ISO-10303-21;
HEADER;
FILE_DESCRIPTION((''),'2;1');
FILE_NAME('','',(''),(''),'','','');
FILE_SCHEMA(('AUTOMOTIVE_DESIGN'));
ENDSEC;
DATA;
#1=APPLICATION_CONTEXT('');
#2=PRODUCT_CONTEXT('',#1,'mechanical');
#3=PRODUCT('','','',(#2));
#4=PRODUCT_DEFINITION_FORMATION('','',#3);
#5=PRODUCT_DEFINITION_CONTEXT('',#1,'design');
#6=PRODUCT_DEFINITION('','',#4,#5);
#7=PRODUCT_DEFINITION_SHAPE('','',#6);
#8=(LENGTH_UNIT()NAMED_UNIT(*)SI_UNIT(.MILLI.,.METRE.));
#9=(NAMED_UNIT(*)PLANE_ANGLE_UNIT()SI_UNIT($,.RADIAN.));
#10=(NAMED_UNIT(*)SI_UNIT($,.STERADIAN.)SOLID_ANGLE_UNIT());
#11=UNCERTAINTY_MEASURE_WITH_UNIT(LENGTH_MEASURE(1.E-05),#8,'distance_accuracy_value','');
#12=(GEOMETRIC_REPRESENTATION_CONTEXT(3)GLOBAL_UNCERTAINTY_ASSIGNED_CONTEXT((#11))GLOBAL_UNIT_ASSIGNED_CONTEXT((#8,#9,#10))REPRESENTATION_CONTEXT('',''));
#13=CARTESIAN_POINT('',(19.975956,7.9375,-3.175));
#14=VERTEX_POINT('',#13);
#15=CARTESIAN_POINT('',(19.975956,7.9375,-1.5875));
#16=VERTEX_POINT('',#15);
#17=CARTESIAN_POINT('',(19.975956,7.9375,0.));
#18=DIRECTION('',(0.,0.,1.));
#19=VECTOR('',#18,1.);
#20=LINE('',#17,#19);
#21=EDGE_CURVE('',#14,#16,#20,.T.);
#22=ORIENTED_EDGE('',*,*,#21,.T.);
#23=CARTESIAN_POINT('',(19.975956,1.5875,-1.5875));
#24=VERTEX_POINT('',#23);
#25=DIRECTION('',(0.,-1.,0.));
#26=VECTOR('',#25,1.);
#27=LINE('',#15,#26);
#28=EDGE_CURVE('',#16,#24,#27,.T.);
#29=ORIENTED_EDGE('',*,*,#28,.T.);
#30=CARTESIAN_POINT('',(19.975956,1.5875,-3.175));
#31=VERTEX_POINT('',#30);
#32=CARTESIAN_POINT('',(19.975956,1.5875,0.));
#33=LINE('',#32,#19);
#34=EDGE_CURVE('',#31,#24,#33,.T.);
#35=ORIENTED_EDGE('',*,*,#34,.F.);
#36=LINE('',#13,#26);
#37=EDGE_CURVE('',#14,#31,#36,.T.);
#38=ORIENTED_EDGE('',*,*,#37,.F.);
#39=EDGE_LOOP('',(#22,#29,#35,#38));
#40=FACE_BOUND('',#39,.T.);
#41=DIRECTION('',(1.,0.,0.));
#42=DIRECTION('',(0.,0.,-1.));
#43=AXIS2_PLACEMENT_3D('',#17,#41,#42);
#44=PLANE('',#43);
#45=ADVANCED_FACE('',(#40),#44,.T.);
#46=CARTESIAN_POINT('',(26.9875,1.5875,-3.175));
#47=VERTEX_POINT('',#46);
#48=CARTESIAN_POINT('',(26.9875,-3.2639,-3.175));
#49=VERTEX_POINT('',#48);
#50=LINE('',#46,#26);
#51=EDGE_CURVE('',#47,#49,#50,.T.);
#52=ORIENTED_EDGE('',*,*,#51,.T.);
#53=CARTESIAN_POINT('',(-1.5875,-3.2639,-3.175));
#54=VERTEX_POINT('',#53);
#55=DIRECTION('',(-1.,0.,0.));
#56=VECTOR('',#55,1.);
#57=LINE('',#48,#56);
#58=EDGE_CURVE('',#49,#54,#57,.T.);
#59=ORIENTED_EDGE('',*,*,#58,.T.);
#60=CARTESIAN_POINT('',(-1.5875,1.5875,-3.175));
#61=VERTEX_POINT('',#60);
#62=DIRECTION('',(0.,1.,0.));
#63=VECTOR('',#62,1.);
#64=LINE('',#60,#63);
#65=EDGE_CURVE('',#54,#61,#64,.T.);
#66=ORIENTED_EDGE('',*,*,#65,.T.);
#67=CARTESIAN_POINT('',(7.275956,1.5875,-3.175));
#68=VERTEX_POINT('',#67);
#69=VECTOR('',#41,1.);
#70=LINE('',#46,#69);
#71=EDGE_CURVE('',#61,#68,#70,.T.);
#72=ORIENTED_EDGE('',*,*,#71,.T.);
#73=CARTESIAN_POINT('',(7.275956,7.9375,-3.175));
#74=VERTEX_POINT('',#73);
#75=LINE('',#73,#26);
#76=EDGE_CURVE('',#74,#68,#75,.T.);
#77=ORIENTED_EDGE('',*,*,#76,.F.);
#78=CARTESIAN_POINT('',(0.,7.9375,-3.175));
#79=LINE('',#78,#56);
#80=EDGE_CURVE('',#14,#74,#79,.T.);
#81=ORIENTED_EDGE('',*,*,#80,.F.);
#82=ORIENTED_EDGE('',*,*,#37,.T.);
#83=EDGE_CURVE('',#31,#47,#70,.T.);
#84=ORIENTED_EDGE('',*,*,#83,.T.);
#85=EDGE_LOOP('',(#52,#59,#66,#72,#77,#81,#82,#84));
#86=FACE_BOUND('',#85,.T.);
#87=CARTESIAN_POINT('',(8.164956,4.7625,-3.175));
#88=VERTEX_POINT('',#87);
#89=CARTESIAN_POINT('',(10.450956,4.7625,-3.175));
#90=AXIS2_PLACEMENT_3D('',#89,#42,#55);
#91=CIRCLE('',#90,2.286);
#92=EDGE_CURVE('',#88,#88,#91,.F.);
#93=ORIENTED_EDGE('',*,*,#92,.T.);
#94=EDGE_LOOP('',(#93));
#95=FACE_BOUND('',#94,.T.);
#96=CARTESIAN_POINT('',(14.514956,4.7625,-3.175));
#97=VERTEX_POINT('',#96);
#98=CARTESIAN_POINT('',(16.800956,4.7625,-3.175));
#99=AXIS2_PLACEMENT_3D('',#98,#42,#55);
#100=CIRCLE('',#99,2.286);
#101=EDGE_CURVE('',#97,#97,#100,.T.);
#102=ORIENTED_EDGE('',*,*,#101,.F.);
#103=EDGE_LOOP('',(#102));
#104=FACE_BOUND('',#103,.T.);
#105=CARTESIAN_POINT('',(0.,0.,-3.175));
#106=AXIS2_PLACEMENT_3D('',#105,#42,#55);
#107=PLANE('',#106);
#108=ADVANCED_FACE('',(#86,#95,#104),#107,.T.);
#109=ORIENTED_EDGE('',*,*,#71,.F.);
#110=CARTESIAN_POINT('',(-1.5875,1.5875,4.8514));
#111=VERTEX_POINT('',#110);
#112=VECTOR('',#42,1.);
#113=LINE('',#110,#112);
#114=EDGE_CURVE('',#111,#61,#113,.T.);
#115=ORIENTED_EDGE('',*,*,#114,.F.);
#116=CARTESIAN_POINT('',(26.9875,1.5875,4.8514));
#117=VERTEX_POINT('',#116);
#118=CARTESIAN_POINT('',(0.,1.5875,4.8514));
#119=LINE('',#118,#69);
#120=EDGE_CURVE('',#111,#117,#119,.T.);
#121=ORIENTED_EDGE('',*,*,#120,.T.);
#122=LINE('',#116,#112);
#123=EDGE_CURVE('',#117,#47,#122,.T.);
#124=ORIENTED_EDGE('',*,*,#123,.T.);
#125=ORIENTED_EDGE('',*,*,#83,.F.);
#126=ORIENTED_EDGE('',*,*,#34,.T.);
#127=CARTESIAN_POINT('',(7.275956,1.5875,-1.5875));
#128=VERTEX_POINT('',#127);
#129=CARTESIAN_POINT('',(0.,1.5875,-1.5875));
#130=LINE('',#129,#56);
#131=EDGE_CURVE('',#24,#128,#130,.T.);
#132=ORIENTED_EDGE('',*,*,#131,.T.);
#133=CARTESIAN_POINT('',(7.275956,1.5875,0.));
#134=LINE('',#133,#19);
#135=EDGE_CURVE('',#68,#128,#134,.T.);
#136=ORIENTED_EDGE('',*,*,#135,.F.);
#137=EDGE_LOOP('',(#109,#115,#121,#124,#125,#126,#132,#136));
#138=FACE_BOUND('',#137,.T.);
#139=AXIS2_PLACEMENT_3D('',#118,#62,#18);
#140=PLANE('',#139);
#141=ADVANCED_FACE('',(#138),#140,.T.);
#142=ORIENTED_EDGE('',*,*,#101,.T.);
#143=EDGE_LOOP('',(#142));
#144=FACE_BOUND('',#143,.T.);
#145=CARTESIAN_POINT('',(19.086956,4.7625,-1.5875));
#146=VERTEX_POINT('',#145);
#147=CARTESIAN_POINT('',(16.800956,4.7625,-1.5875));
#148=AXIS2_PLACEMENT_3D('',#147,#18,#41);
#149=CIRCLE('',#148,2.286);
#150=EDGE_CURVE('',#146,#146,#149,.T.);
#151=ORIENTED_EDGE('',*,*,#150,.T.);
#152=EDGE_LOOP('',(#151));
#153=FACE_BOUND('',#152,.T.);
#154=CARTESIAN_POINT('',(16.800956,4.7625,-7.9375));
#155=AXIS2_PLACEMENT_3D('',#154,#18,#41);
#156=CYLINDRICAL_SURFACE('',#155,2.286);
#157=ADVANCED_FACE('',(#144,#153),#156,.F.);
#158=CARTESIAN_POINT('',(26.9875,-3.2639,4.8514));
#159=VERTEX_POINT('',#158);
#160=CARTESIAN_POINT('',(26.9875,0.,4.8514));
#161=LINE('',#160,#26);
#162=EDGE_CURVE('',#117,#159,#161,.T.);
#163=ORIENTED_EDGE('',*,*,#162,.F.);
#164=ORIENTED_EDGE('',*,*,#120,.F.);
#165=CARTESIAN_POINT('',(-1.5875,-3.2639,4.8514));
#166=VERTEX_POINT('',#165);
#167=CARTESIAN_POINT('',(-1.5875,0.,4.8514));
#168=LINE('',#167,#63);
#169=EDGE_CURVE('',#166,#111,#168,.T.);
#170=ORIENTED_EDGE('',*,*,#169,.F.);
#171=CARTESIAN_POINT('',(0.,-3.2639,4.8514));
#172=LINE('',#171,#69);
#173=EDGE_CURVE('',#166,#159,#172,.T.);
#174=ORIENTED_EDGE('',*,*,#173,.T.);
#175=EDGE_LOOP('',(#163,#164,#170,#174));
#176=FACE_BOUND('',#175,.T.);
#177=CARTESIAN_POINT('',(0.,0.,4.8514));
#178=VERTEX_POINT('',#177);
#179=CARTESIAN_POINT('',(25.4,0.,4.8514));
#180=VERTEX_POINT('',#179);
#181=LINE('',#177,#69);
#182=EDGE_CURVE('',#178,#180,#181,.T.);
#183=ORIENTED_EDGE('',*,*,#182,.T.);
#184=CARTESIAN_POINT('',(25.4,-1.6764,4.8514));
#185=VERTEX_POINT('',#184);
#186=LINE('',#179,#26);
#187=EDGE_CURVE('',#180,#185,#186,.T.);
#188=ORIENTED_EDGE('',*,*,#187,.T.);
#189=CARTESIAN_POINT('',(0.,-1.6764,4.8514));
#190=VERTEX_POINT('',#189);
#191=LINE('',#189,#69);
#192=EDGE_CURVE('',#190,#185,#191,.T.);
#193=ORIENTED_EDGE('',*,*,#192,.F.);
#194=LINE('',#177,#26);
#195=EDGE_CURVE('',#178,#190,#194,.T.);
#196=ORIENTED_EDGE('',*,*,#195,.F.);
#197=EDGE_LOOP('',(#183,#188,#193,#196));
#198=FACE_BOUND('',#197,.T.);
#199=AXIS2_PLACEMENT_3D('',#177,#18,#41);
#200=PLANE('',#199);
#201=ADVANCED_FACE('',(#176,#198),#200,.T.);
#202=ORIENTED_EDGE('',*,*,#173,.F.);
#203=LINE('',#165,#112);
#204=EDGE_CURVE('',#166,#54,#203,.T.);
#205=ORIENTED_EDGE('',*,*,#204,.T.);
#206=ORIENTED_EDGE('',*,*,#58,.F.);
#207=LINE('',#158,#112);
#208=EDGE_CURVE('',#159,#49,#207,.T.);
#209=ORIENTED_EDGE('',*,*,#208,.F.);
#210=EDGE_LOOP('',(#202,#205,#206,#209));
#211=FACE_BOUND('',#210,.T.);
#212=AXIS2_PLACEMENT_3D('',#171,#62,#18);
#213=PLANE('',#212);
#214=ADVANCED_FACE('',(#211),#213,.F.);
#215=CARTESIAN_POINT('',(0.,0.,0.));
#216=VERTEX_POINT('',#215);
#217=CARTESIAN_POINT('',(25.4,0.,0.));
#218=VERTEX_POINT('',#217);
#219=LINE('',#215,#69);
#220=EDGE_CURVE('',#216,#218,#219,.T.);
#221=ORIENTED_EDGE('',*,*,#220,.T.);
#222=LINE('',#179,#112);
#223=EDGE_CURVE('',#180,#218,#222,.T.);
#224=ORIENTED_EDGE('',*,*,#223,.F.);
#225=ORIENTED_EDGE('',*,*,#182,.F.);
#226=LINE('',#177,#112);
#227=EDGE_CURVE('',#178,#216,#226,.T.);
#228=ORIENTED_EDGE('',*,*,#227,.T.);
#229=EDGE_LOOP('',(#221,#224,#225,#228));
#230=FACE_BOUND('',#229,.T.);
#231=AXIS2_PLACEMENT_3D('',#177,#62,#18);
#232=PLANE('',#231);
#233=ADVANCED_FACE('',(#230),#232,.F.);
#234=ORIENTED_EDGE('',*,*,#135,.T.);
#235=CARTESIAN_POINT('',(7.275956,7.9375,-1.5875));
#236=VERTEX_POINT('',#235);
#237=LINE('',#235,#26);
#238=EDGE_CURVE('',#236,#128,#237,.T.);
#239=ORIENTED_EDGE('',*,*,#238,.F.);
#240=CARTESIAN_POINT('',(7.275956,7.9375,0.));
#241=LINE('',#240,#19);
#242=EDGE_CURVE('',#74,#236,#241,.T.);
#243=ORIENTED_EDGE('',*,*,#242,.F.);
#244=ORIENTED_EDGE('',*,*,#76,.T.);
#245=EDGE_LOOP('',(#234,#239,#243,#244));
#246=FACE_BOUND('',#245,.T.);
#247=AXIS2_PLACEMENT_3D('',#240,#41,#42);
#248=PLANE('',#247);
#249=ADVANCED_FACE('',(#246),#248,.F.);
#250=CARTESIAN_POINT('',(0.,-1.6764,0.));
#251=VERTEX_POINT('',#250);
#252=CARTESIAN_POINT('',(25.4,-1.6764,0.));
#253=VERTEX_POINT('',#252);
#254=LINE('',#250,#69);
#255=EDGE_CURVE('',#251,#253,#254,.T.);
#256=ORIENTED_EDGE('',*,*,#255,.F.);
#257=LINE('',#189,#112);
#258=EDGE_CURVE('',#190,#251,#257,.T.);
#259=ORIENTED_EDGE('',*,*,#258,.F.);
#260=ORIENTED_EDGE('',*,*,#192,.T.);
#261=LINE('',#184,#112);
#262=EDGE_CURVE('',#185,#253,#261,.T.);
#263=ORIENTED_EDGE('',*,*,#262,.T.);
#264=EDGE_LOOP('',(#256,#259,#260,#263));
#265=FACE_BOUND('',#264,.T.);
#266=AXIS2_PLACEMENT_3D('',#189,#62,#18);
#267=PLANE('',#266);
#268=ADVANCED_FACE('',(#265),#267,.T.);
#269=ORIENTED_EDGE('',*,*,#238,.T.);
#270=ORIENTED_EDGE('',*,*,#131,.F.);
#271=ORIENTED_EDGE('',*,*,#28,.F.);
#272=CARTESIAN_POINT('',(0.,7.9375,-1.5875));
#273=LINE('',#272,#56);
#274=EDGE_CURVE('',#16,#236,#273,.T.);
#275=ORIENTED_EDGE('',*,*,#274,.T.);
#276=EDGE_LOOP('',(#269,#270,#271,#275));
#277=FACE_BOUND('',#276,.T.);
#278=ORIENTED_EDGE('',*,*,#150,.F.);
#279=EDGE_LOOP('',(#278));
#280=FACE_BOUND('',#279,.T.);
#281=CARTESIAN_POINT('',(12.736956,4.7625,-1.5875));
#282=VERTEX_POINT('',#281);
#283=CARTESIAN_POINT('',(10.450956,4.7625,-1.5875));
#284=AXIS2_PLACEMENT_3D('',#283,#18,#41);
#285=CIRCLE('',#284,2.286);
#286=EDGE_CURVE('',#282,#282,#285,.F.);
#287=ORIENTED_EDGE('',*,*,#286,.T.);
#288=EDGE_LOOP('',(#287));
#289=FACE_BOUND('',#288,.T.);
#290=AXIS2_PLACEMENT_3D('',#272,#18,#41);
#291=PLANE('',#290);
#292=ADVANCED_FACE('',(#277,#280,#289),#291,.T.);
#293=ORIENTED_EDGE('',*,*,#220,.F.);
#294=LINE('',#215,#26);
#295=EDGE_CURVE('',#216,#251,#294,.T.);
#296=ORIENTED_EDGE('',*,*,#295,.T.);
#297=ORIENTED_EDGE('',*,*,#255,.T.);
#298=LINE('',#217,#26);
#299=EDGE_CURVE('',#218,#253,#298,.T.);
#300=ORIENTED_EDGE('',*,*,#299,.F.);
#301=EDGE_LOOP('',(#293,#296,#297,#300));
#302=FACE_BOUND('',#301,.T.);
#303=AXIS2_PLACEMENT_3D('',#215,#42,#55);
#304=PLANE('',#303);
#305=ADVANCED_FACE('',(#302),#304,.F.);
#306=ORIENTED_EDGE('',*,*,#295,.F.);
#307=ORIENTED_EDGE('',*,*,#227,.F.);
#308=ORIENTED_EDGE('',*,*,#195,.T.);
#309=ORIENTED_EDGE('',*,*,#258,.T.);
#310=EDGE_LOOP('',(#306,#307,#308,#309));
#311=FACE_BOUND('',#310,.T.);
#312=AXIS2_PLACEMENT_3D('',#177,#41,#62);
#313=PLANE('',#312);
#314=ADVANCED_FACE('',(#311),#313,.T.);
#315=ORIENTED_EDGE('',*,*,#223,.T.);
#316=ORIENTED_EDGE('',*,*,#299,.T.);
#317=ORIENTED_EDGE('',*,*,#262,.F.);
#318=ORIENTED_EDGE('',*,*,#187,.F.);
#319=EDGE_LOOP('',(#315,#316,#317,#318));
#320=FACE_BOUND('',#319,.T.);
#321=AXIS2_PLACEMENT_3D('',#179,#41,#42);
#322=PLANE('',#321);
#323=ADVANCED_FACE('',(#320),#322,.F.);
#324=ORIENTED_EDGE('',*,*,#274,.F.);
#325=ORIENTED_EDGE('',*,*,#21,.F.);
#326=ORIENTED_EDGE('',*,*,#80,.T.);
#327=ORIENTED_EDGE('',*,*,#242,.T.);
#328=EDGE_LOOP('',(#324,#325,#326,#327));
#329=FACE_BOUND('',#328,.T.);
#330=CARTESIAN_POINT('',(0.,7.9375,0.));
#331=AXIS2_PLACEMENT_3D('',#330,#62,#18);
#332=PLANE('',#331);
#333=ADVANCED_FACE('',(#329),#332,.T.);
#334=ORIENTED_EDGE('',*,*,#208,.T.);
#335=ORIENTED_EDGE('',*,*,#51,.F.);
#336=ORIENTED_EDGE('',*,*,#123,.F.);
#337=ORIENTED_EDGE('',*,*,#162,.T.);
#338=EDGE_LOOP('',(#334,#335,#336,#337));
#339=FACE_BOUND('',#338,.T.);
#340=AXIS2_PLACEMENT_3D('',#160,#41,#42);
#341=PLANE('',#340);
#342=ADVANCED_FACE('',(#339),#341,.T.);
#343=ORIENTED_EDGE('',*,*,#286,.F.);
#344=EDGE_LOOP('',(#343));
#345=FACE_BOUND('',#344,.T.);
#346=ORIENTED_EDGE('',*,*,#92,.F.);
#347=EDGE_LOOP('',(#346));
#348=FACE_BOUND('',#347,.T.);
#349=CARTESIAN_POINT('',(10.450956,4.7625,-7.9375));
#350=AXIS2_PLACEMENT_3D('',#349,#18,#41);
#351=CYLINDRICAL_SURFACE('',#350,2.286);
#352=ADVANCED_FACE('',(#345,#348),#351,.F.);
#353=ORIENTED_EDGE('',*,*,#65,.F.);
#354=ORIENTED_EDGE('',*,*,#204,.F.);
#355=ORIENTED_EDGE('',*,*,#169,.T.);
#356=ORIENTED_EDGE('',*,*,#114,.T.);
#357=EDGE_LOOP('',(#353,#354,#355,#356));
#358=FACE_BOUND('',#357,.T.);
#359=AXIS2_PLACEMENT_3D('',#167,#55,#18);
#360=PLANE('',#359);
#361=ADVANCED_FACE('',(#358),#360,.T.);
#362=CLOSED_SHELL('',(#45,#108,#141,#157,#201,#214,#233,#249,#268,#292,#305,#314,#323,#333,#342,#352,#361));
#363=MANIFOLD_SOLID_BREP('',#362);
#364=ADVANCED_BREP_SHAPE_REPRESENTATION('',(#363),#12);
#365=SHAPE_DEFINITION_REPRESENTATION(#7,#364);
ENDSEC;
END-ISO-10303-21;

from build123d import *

# Parameters (mm, degrees)
SKETCH1_W           = 1.5875
SKETCH1_H           = 1.5875
BOSS_EXTRUDE1_DEPTH = 4.8514
SKETCH2_W           = 28.575
SKETCH2_H           = 4.8514
BOSS_EXTRUDE2_DEPTH = 3.175
SKETCH3_W           = 6.35
SKETCH3_H           = 1.5875
BOSS_EXTRUDE3_DEPTH = 6.35
SKETCH4_R           = 2.286
CUT_EXTRUDE1_DEPTH  = 6.35


with BuildPart() as part:
    # Sketch1 → Boss-Extrude1 (new body)
    with BuildSketch(Plane.XY):
        Polygon((0, 1.5875), (0, 0), (25.4, 0), (25.4, -1.6764), (26.9875, -1.6764), (26.9875, 1.5875), align=None)
        with Locations((-0.79375, 0.79375)):
            Rectangle(SKETCH1_W, SKETCH1_H)
        Polygon((0, -1.6764), (0, 0), (-1.5875, 0), (-1.5875, -3.2639), (25.4, -3.2639), (25.4, -1.6764), align=None)
        with Locations((26.19375, -2.47015)):
            Rectangle(SKETCH1_W, SKETCH1_H)
    extrude(amount=BOSS_EXTRUDE1_DEPTH)

    # Sketch2 → Boss-Extrude2 (add)
    with BuildSketch(Plane(origin=(0, 0, 0), x_dir=(-1, 0, 0), z_dir=(0, 0, -1))):
        with Locations((-12.7, -0.8382)):
            Rectangle(SKETCH2_W, SKETCH2_H)
    extrude(amount=BOSS_EXTRUDE2_DEPTH)

    # Sketch3 → Boss-Extrude3 (add)
    with BuildSketch(Plane(origin=(0, 1.5875, 0), x_dir=(1, 0, 0), z_dir=(0, 1, 0))):
        with Locations((16.80095606, 2.38125)):
            Rectangle(SKETCH3_W, SKETCH3_H)
        Polygon((13.62595606, 3.175), (12.7, 3.175), (7.27595606, 3.175), (7.27595606, 1.5875), (13.62595606, 1.5875), align=None)
    extrude(amount=BOSS_EXTRUDE3_DEPTH)

    # Sketch4 → Cut-Extrude1 (cut)
    with BuildSketch(Plane.XY.offset(-1.5875)):
        with BuildLine():
            ThreePointArc((19.08695606, 4.7625), (16.80095606, 7.0485), (14.51495606, 4.7625))
            Line((14.51495606, 4.7625), (19.08695606, 4.7625))
        make_face()
        with BuildLine():
            Line((19.08695606, 4.7625), (14.51495606, 4.7625))
            ThreePointArc((14.51495606, 4.7625), (16.80095606, 2.4765), (19.08695606, 4.7625))
        make_face()
        with Locations((10.45095606, 4.7625)):
            Circle(SKETCH4_R)
    extrude(amount=-CUT_EXTRUDE1_DEPTH, mode=Mode.SUBTRACT)


solid = part.part
